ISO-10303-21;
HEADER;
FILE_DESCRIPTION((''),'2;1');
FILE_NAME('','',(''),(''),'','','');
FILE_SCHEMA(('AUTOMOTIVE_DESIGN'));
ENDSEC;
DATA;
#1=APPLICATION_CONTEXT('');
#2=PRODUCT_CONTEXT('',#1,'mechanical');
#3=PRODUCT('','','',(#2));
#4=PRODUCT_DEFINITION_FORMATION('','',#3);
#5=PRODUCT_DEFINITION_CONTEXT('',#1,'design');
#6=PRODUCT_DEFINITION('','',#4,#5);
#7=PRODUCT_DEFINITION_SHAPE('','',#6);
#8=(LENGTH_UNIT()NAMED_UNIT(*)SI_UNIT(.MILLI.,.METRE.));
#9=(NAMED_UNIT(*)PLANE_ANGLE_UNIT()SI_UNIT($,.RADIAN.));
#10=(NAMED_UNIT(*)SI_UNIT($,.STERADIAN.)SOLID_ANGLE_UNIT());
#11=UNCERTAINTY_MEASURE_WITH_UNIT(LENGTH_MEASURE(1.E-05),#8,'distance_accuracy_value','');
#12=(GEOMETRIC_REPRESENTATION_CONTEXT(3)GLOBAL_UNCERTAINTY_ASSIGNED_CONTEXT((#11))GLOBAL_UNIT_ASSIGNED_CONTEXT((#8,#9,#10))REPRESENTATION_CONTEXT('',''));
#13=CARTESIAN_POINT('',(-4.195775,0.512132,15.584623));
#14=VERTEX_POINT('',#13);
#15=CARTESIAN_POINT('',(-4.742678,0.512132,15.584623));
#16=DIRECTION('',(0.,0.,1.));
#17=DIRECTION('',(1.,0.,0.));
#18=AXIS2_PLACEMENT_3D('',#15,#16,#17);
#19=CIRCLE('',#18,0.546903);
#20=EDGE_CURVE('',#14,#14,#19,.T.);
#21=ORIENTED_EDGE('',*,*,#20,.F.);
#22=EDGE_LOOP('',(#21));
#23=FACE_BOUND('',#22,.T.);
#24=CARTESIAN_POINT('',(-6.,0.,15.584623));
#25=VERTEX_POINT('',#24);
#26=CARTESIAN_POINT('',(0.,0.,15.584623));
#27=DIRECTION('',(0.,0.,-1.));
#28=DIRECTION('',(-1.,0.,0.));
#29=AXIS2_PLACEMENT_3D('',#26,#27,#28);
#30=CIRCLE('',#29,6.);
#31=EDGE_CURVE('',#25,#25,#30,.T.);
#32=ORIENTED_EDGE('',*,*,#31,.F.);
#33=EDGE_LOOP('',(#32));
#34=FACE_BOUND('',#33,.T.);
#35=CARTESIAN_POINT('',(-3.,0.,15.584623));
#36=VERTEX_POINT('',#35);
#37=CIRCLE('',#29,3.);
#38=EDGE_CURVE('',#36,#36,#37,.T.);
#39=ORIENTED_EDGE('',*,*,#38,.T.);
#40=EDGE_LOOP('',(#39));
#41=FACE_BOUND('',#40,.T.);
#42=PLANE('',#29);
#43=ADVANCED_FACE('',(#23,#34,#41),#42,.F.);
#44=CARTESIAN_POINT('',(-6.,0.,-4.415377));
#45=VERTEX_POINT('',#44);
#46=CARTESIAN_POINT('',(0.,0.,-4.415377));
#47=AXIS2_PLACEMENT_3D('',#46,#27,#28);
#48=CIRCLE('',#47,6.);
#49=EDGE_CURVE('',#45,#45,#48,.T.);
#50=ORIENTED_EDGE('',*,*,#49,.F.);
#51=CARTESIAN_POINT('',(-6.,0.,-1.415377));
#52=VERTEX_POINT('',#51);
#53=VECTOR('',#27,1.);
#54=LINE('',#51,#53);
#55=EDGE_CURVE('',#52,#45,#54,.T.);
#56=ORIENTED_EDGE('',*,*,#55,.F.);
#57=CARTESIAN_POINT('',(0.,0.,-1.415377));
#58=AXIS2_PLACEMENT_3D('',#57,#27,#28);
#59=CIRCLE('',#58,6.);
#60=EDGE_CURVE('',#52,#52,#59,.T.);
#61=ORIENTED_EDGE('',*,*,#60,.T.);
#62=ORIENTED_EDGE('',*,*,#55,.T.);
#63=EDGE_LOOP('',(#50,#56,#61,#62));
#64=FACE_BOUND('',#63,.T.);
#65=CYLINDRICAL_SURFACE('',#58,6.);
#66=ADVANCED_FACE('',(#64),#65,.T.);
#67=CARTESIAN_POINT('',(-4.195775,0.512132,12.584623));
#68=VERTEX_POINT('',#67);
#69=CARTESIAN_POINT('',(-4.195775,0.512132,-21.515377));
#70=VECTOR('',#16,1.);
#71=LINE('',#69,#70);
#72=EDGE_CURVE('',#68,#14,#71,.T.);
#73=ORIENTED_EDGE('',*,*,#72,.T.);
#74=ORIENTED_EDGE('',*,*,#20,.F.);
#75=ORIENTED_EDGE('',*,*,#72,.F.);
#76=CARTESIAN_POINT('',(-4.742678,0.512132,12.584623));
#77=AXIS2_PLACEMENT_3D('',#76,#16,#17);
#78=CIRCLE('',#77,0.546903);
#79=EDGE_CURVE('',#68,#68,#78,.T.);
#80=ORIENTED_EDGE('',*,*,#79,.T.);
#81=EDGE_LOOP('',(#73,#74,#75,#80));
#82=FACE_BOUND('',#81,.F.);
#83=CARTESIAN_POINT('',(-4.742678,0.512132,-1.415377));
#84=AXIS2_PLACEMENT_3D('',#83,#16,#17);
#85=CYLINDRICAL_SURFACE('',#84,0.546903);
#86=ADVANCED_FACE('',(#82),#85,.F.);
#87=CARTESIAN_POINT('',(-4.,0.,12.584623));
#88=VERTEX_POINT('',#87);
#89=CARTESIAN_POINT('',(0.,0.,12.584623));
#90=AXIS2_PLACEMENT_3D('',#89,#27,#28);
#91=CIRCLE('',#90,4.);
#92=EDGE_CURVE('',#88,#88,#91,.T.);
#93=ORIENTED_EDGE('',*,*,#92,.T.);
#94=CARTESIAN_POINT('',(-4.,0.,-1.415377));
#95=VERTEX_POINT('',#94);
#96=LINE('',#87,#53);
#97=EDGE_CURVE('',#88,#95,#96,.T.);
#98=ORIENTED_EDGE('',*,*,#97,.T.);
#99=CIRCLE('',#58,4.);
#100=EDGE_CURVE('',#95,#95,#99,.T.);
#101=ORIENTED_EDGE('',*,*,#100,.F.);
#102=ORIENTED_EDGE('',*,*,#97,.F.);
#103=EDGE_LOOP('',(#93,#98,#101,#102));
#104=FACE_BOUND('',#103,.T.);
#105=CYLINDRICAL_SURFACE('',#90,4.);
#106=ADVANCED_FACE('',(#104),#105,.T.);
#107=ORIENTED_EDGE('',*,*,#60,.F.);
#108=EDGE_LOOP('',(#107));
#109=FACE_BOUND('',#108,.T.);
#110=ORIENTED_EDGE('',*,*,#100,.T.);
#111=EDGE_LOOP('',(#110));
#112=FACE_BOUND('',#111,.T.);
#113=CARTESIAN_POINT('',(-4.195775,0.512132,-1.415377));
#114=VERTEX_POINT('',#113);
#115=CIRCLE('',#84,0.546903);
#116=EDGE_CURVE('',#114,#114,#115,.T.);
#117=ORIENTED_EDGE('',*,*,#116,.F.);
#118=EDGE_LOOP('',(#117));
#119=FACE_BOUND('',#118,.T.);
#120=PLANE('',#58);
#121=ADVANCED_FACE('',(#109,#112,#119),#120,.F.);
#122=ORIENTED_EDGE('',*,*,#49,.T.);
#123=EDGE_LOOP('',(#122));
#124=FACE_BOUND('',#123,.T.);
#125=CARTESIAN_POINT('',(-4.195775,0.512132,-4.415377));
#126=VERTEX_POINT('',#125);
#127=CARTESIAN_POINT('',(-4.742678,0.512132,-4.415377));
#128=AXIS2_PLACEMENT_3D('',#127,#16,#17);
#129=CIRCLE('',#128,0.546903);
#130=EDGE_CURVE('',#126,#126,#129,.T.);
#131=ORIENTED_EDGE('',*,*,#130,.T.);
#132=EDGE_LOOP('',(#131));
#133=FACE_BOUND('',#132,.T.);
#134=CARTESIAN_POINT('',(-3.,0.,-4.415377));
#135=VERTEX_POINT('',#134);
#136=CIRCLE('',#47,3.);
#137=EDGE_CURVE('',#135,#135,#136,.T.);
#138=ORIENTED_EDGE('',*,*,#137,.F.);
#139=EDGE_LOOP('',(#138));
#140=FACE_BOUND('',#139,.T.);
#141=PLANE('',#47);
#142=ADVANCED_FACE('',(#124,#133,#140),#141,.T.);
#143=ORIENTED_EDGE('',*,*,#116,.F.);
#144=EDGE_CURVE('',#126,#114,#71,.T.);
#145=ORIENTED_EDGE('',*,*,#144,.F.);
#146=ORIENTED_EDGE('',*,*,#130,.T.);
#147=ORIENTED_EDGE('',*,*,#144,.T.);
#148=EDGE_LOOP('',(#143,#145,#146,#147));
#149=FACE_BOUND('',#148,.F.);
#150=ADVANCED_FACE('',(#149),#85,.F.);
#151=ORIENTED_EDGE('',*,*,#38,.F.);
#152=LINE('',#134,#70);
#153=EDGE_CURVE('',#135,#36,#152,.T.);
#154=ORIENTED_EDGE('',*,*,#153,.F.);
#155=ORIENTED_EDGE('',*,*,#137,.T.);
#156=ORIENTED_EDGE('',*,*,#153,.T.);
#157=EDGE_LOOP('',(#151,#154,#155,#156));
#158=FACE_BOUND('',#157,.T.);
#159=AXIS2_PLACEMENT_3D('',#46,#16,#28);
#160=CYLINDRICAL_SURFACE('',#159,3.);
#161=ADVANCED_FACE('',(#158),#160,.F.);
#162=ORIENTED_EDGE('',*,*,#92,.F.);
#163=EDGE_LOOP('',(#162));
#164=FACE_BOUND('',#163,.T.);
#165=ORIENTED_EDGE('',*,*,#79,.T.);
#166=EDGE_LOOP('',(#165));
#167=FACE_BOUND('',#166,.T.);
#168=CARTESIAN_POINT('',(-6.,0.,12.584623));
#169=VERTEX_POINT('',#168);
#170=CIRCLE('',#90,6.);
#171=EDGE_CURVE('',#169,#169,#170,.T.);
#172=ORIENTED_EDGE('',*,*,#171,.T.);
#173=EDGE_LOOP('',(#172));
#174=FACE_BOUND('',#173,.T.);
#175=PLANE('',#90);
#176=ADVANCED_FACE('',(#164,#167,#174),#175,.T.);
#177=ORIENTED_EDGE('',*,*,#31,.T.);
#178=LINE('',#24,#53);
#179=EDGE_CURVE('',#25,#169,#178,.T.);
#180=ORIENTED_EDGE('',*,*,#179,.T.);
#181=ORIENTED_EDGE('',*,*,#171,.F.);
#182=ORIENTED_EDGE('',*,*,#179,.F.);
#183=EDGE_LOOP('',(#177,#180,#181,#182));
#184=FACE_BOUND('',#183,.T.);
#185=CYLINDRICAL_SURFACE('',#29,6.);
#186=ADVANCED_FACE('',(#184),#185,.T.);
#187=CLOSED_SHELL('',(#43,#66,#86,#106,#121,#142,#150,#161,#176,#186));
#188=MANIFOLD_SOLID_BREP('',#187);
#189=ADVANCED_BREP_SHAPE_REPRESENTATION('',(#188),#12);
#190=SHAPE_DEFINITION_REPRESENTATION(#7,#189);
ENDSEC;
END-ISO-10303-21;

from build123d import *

# Parameters (mm, degrees)
F2_R     = 0.546903
F3_DEPTH = 20.1


with BuildPart() as f1:
    # F0 (on Front) → F1 (revolve)
    with BuildSketch(Plane.XZ):
        Polygon((-3, -4.415377), (-3, 15.584623), (-6, 15.584623), (-6, 12.584623), (-4, 12.584623), (-4, -1.415377), (-6, -1.415377), (-6, -4.415377), align=None)
    revolve(axis=Axis((0, 0, 1.64726), (0, 0, -1)))

    # F2 (on face) → F3 (cut, symmetric)
    with BuildSketch(Plane.XY.offset(-1.415377)):
        with Locations((-4.742678, 0.512132)):
            Circle(F2_R)
    extrude(amount=F3_DEPTH, both=True, mode=Mode.SUBTRACT)


solid = f1.part
